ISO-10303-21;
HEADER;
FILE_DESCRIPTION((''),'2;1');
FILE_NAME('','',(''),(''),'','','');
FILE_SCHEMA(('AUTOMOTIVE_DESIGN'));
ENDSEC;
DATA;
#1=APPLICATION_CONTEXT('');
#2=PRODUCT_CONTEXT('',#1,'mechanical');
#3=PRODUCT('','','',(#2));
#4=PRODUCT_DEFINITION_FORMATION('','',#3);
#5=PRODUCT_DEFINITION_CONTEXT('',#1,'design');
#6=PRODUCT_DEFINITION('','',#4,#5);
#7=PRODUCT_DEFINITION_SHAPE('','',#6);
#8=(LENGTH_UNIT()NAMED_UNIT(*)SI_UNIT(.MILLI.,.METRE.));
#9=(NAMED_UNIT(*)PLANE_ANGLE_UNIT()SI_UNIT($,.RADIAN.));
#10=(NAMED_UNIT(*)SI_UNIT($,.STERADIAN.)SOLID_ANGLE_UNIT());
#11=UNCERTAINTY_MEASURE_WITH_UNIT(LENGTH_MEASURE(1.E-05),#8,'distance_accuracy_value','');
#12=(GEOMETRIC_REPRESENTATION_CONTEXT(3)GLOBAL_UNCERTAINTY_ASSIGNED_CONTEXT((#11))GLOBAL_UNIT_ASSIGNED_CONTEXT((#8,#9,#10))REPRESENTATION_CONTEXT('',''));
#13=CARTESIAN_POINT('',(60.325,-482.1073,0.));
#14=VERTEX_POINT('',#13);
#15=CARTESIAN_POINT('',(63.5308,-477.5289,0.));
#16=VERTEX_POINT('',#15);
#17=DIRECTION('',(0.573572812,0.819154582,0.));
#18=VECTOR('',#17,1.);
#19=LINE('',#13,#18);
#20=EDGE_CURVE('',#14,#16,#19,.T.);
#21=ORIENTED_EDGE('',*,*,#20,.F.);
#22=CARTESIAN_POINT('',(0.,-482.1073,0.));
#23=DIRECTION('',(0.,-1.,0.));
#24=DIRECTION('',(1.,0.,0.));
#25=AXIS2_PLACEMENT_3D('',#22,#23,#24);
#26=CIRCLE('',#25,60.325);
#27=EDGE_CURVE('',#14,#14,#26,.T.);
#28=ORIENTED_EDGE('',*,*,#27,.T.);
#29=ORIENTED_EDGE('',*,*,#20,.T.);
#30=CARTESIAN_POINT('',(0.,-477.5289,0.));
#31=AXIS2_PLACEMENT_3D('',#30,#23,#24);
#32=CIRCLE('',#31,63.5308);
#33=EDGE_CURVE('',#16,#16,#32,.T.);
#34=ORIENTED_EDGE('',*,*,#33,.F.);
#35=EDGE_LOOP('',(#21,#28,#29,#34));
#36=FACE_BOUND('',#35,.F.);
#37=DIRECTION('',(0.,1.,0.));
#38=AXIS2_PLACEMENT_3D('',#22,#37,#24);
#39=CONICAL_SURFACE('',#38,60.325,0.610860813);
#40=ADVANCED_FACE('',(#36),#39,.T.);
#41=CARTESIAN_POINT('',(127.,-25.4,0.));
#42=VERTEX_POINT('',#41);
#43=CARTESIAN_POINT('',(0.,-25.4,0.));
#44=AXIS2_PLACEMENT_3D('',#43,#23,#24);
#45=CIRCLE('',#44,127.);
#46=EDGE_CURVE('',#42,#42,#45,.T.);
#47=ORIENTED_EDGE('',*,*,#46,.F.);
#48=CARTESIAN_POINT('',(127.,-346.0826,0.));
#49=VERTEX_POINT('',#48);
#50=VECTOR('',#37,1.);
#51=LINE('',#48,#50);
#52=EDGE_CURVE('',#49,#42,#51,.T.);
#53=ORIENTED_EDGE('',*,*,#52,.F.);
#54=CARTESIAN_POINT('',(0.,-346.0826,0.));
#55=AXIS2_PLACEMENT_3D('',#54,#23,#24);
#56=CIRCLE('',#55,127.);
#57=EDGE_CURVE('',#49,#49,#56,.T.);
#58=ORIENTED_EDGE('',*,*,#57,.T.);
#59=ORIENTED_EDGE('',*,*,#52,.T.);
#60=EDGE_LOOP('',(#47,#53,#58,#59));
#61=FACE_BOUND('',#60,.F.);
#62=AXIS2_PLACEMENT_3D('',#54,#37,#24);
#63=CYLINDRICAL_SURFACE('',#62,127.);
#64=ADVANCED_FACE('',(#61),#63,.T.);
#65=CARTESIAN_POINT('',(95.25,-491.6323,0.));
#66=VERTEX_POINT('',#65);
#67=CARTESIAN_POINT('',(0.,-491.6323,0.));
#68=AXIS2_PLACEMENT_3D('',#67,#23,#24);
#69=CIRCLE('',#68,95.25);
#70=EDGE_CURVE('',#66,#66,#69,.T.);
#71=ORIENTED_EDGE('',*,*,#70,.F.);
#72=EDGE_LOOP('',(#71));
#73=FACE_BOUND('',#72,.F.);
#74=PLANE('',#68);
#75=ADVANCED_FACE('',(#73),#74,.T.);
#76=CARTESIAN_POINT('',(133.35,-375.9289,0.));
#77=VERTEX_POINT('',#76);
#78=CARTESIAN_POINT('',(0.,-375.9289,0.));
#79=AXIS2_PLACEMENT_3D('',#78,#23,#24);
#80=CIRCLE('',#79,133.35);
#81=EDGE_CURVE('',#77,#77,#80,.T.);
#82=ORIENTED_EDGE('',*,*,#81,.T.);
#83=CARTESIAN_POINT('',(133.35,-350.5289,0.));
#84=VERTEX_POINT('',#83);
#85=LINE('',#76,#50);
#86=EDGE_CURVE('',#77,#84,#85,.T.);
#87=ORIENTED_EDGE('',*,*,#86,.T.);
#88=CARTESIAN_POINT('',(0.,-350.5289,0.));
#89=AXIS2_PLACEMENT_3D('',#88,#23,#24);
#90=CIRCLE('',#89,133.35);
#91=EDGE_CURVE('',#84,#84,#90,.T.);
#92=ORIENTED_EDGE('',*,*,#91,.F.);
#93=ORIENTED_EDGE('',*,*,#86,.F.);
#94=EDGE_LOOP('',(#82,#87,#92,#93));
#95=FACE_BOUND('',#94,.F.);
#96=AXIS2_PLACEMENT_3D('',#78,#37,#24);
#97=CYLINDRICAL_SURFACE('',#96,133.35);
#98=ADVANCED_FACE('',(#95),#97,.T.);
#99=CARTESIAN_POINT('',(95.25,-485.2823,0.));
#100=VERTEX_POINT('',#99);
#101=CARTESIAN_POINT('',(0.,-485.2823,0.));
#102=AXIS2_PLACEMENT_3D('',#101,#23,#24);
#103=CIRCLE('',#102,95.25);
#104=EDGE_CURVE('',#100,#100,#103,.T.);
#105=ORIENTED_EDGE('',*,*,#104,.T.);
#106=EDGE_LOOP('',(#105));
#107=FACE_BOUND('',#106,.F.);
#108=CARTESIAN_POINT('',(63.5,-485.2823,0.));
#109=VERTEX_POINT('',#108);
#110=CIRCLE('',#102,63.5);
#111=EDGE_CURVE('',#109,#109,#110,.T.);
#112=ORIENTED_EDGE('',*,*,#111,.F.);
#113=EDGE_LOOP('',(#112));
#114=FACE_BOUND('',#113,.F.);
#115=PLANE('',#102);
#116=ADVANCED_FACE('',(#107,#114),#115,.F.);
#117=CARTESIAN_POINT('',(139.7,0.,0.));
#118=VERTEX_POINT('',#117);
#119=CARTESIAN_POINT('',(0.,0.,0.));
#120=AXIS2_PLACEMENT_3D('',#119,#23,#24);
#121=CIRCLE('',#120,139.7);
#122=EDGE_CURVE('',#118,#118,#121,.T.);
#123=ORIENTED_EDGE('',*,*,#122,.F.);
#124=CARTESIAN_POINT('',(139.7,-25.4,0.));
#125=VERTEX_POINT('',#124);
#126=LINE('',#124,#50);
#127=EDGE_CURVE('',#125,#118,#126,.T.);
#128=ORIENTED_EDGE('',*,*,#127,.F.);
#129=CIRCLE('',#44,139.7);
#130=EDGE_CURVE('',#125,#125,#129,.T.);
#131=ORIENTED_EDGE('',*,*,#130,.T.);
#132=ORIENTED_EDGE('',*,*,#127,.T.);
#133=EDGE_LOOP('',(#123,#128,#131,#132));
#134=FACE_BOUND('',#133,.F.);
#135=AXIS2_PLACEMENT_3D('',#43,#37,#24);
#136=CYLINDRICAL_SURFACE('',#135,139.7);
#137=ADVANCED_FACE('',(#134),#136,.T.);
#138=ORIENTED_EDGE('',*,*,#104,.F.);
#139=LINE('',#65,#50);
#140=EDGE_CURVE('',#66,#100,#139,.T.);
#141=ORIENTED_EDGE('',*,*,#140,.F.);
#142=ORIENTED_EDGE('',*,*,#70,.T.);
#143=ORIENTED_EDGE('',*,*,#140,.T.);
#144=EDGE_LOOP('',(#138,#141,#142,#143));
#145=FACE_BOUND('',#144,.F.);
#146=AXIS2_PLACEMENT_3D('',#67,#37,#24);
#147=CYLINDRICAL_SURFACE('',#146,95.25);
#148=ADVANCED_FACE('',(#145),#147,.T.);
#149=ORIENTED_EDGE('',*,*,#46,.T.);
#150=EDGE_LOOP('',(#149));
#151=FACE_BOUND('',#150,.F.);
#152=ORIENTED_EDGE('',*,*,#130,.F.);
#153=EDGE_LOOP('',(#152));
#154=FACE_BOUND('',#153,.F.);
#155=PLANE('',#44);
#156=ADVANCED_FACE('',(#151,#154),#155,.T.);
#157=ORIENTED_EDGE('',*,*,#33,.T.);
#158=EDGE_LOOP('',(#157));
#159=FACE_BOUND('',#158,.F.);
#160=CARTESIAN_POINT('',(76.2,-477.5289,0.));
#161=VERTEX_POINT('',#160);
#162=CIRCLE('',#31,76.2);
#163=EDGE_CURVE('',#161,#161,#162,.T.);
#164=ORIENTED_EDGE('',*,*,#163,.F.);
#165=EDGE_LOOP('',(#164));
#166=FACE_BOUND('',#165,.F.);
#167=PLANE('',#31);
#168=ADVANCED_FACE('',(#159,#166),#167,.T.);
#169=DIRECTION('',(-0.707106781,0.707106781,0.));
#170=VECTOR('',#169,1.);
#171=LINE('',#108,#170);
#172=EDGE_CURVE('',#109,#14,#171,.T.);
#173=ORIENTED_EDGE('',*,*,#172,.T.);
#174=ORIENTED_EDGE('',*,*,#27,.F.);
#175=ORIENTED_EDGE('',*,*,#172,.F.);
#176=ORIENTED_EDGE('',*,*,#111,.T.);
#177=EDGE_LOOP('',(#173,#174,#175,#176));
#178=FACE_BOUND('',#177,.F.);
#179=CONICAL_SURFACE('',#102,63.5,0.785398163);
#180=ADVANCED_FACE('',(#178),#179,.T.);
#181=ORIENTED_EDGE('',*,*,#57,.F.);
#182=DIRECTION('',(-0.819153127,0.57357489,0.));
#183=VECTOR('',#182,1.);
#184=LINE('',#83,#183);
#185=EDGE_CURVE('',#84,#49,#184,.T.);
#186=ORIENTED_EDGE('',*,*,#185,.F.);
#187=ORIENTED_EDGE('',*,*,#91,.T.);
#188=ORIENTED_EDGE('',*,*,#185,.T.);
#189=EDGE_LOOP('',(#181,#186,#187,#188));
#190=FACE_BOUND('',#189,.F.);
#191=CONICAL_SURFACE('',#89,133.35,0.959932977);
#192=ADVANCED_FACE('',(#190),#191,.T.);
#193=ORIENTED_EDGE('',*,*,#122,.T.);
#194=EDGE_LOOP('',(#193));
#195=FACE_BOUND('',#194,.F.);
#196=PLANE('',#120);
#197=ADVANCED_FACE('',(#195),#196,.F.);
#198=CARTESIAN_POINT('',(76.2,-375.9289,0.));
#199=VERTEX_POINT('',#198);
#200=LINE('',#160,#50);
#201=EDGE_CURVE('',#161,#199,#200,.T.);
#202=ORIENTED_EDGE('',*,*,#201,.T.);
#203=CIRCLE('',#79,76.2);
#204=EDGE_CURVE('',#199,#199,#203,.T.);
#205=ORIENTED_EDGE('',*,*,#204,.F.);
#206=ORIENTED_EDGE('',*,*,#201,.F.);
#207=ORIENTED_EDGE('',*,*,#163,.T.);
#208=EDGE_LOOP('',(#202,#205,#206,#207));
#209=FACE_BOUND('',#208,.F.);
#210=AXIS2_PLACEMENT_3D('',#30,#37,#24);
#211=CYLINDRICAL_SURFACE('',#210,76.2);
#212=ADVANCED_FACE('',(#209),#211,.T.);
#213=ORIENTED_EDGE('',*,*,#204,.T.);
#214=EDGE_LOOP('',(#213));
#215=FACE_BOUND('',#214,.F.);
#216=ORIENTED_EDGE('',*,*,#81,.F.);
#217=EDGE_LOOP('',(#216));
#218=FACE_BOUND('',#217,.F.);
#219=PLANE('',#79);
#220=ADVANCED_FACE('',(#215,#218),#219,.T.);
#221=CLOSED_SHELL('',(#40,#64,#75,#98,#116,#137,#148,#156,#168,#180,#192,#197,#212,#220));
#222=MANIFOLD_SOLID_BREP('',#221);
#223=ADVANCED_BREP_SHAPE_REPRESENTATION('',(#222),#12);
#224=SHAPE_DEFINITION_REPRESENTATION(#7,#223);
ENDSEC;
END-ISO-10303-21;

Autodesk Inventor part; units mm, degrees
ref_plane "YZ Plane" through (0, 0, 0) normal (1, 0, 0) x (0, 1, 0)
ref_plane "XZ Plane" through (0, 0, 0) normal (0, 1, 0) x (-1, 0, 0)
ref_plane "XY Plane" through (0, 0, 0) normal (0, 0, 1) x (1, 0, 0)
sketch "Sketch1" plane through (0, 0, 0) normal (0, 0, 1) x (-1, 0, 0)
  line L0 (0, -67.1677) -> (0, 491.6323)
  line L1 (0, 491.6323) -> (-95.25, 491.6323)
  line L2 (-95.25, 491.6323) -> (-95.25, 485.2823)
  line L3 (-95.25, 485.2823) -> (-63.5, 485.2823)
  line L4 (-63.5, 485.2823) -> (-60.325, 482.1073)
  line L5 (-60.325, 482.1073) -> (-63.5308, 477.5289)
  line L6 (-63.5308, 477.5289) -> (-76.2, 477.5289)
  line L7 (-76.2, 477.5289) -> (-76.2, 375.9289)
  line L8 (-76.2, 375.9289) -> (-133.35, 375.9289)
  line L9 (-133.35, 375.9289) -> (-133.35, 350.5289)
  line L10 (-133.35, 350.5289) -> (-127, 346.0826)
  line L11 (-127, 346.0826) -> (-127, 25.4)
  line L12 (-127, 25.4) -> (-139.7, 25.4)
  line L13 (-139.7, 25.4) -> (-139.7, 0)
  line L14 (-139.7, 0) -> (0, 0)
  line L15 (0, 0) -> (0, 491.6323)
  dimension "d1" = 127
  dimension "d2" = 25.4
  dimension "d3" = 12.7
  dimension "d4" = 95.25
  dimension "d5" = 6.35
  dimension "d6" = 558.8
  dimension "d7" = 6.35
  dimension "d9" = 63.5
  dimension "d10" = 76.2
  dimension "d11" = 101.6
  dimension "d12" = 35
  dimension "d13" = 135
  dimension "d14" = 25.4
  dimension "d15" = 3.175
revolve "Revolution1" add sketch "Sketch1" angle 360 about axis through (0, 67.1677, 0) along (0, -1, 0)
properties part number "Newport SL 1200-422"
